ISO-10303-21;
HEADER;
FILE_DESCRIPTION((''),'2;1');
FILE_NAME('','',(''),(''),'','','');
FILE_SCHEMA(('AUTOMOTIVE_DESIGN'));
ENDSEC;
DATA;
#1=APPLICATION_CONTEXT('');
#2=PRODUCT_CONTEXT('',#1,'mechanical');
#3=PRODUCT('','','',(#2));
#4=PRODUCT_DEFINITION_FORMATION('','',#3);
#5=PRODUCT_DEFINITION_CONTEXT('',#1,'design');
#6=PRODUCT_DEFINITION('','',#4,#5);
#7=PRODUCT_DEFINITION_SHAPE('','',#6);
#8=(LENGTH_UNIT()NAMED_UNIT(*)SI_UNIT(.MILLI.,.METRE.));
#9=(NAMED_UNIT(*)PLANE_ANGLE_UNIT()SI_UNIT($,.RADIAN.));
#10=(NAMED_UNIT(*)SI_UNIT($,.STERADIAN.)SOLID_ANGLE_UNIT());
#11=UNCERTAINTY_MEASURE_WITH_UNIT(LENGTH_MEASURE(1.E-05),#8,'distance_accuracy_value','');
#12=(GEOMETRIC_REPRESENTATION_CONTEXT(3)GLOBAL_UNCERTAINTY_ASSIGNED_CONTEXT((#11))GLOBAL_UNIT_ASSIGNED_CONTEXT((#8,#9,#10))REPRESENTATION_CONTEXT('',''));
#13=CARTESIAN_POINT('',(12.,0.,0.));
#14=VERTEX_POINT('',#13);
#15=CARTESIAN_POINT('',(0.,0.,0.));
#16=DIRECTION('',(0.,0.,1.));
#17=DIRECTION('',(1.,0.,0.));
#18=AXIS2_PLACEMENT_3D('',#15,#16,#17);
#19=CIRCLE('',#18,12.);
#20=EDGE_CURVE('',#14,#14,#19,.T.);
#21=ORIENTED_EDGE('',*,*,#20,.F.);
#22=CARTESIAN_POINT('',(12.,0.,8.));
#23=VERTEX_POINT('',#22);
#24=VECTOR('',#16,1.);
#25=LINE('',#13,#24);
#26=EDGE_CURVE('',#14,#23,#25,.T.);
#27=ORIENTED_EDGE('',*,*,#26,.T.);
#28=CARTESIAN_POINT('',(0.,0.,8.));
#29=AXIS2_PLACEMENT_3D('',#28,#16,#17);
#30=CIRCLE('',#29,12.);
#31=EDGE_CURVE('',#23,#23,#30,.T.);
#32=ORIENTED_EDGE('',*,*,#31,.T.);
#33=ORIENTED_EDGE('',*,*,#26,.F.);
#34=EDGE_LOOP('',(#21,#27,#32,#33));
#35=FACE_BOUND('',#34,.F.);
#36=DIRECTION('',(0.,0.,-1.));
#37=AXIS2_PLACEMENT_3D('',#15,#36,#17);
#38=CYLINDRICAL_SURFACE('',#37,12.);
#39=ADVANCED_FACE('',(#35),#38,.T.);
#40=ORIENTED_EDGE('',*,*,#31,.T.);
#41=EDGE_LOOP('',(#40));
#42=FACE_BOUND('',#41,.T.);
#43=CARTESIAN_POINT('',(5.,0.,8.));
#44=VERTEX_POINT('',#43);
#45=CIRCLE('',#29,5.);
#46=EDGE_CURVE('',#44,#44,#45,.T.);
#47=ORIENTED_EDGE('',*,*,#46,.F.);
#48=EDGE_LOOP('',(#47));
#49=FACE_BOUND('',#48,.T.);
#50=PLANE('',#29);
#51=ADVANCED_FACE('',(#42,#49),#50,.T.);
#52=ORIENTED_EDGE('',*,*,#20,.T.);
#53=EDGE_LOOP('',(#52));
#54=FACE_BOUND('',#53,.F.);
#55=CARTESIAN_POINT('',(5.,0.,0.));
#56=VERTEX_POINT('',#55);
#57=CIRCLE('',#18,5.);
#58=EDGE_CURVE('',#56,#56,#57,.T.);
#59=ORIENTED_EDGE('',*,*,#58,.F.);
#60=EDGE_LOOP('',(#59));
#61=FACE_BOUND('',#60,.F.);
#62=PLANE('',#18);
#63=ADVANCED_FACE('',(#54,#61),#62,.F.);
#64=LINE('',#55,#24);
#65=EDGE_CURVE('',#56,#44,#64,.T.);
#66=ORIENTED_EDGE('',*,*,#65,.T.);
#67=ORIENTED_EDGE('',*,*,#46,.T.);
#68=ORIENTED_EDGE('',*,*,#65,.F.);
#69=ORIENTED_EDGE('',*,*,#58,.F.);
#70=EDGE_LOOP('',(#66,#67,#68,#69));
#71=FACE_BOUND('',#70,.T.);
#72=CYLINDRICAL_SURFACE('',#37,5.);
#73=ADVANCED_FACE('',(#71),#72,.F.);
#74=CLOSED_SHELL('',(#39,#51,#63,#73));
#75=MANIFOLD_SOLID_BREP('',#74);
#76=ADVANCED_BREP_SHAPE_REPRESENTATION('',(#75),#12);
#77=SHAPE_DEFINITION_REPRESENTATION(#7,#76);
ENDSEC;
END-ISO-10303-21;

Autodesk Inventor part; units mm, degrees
ref_plane "YZ Plane" through (0, 0, 0) normal (1, 0, 0) x (0, 1, 0)
ref_plane "XZ Plane" through (0, 0, 0) normal (0, 1, 0) x (-1, 0, 0)
ref_plane "XY Plane" through (0, 0, 0) normal (0, 0, 1) x (1, 0, 0)
sketch "Sketch1" plane through (0, 0, 0) normal (0, 0, 1) x (1, 0, 0)
  circle A0 centre (0, 0) radius 12
  circle A1 centre (0, 0) radius 5
  dimension "d0" = 24
  dimension "d1" = 10
extrude "Extrusion1" add sketch "Sketch1" along normal blind 8
properties part number "Bearing" material "Stainless Steel"
